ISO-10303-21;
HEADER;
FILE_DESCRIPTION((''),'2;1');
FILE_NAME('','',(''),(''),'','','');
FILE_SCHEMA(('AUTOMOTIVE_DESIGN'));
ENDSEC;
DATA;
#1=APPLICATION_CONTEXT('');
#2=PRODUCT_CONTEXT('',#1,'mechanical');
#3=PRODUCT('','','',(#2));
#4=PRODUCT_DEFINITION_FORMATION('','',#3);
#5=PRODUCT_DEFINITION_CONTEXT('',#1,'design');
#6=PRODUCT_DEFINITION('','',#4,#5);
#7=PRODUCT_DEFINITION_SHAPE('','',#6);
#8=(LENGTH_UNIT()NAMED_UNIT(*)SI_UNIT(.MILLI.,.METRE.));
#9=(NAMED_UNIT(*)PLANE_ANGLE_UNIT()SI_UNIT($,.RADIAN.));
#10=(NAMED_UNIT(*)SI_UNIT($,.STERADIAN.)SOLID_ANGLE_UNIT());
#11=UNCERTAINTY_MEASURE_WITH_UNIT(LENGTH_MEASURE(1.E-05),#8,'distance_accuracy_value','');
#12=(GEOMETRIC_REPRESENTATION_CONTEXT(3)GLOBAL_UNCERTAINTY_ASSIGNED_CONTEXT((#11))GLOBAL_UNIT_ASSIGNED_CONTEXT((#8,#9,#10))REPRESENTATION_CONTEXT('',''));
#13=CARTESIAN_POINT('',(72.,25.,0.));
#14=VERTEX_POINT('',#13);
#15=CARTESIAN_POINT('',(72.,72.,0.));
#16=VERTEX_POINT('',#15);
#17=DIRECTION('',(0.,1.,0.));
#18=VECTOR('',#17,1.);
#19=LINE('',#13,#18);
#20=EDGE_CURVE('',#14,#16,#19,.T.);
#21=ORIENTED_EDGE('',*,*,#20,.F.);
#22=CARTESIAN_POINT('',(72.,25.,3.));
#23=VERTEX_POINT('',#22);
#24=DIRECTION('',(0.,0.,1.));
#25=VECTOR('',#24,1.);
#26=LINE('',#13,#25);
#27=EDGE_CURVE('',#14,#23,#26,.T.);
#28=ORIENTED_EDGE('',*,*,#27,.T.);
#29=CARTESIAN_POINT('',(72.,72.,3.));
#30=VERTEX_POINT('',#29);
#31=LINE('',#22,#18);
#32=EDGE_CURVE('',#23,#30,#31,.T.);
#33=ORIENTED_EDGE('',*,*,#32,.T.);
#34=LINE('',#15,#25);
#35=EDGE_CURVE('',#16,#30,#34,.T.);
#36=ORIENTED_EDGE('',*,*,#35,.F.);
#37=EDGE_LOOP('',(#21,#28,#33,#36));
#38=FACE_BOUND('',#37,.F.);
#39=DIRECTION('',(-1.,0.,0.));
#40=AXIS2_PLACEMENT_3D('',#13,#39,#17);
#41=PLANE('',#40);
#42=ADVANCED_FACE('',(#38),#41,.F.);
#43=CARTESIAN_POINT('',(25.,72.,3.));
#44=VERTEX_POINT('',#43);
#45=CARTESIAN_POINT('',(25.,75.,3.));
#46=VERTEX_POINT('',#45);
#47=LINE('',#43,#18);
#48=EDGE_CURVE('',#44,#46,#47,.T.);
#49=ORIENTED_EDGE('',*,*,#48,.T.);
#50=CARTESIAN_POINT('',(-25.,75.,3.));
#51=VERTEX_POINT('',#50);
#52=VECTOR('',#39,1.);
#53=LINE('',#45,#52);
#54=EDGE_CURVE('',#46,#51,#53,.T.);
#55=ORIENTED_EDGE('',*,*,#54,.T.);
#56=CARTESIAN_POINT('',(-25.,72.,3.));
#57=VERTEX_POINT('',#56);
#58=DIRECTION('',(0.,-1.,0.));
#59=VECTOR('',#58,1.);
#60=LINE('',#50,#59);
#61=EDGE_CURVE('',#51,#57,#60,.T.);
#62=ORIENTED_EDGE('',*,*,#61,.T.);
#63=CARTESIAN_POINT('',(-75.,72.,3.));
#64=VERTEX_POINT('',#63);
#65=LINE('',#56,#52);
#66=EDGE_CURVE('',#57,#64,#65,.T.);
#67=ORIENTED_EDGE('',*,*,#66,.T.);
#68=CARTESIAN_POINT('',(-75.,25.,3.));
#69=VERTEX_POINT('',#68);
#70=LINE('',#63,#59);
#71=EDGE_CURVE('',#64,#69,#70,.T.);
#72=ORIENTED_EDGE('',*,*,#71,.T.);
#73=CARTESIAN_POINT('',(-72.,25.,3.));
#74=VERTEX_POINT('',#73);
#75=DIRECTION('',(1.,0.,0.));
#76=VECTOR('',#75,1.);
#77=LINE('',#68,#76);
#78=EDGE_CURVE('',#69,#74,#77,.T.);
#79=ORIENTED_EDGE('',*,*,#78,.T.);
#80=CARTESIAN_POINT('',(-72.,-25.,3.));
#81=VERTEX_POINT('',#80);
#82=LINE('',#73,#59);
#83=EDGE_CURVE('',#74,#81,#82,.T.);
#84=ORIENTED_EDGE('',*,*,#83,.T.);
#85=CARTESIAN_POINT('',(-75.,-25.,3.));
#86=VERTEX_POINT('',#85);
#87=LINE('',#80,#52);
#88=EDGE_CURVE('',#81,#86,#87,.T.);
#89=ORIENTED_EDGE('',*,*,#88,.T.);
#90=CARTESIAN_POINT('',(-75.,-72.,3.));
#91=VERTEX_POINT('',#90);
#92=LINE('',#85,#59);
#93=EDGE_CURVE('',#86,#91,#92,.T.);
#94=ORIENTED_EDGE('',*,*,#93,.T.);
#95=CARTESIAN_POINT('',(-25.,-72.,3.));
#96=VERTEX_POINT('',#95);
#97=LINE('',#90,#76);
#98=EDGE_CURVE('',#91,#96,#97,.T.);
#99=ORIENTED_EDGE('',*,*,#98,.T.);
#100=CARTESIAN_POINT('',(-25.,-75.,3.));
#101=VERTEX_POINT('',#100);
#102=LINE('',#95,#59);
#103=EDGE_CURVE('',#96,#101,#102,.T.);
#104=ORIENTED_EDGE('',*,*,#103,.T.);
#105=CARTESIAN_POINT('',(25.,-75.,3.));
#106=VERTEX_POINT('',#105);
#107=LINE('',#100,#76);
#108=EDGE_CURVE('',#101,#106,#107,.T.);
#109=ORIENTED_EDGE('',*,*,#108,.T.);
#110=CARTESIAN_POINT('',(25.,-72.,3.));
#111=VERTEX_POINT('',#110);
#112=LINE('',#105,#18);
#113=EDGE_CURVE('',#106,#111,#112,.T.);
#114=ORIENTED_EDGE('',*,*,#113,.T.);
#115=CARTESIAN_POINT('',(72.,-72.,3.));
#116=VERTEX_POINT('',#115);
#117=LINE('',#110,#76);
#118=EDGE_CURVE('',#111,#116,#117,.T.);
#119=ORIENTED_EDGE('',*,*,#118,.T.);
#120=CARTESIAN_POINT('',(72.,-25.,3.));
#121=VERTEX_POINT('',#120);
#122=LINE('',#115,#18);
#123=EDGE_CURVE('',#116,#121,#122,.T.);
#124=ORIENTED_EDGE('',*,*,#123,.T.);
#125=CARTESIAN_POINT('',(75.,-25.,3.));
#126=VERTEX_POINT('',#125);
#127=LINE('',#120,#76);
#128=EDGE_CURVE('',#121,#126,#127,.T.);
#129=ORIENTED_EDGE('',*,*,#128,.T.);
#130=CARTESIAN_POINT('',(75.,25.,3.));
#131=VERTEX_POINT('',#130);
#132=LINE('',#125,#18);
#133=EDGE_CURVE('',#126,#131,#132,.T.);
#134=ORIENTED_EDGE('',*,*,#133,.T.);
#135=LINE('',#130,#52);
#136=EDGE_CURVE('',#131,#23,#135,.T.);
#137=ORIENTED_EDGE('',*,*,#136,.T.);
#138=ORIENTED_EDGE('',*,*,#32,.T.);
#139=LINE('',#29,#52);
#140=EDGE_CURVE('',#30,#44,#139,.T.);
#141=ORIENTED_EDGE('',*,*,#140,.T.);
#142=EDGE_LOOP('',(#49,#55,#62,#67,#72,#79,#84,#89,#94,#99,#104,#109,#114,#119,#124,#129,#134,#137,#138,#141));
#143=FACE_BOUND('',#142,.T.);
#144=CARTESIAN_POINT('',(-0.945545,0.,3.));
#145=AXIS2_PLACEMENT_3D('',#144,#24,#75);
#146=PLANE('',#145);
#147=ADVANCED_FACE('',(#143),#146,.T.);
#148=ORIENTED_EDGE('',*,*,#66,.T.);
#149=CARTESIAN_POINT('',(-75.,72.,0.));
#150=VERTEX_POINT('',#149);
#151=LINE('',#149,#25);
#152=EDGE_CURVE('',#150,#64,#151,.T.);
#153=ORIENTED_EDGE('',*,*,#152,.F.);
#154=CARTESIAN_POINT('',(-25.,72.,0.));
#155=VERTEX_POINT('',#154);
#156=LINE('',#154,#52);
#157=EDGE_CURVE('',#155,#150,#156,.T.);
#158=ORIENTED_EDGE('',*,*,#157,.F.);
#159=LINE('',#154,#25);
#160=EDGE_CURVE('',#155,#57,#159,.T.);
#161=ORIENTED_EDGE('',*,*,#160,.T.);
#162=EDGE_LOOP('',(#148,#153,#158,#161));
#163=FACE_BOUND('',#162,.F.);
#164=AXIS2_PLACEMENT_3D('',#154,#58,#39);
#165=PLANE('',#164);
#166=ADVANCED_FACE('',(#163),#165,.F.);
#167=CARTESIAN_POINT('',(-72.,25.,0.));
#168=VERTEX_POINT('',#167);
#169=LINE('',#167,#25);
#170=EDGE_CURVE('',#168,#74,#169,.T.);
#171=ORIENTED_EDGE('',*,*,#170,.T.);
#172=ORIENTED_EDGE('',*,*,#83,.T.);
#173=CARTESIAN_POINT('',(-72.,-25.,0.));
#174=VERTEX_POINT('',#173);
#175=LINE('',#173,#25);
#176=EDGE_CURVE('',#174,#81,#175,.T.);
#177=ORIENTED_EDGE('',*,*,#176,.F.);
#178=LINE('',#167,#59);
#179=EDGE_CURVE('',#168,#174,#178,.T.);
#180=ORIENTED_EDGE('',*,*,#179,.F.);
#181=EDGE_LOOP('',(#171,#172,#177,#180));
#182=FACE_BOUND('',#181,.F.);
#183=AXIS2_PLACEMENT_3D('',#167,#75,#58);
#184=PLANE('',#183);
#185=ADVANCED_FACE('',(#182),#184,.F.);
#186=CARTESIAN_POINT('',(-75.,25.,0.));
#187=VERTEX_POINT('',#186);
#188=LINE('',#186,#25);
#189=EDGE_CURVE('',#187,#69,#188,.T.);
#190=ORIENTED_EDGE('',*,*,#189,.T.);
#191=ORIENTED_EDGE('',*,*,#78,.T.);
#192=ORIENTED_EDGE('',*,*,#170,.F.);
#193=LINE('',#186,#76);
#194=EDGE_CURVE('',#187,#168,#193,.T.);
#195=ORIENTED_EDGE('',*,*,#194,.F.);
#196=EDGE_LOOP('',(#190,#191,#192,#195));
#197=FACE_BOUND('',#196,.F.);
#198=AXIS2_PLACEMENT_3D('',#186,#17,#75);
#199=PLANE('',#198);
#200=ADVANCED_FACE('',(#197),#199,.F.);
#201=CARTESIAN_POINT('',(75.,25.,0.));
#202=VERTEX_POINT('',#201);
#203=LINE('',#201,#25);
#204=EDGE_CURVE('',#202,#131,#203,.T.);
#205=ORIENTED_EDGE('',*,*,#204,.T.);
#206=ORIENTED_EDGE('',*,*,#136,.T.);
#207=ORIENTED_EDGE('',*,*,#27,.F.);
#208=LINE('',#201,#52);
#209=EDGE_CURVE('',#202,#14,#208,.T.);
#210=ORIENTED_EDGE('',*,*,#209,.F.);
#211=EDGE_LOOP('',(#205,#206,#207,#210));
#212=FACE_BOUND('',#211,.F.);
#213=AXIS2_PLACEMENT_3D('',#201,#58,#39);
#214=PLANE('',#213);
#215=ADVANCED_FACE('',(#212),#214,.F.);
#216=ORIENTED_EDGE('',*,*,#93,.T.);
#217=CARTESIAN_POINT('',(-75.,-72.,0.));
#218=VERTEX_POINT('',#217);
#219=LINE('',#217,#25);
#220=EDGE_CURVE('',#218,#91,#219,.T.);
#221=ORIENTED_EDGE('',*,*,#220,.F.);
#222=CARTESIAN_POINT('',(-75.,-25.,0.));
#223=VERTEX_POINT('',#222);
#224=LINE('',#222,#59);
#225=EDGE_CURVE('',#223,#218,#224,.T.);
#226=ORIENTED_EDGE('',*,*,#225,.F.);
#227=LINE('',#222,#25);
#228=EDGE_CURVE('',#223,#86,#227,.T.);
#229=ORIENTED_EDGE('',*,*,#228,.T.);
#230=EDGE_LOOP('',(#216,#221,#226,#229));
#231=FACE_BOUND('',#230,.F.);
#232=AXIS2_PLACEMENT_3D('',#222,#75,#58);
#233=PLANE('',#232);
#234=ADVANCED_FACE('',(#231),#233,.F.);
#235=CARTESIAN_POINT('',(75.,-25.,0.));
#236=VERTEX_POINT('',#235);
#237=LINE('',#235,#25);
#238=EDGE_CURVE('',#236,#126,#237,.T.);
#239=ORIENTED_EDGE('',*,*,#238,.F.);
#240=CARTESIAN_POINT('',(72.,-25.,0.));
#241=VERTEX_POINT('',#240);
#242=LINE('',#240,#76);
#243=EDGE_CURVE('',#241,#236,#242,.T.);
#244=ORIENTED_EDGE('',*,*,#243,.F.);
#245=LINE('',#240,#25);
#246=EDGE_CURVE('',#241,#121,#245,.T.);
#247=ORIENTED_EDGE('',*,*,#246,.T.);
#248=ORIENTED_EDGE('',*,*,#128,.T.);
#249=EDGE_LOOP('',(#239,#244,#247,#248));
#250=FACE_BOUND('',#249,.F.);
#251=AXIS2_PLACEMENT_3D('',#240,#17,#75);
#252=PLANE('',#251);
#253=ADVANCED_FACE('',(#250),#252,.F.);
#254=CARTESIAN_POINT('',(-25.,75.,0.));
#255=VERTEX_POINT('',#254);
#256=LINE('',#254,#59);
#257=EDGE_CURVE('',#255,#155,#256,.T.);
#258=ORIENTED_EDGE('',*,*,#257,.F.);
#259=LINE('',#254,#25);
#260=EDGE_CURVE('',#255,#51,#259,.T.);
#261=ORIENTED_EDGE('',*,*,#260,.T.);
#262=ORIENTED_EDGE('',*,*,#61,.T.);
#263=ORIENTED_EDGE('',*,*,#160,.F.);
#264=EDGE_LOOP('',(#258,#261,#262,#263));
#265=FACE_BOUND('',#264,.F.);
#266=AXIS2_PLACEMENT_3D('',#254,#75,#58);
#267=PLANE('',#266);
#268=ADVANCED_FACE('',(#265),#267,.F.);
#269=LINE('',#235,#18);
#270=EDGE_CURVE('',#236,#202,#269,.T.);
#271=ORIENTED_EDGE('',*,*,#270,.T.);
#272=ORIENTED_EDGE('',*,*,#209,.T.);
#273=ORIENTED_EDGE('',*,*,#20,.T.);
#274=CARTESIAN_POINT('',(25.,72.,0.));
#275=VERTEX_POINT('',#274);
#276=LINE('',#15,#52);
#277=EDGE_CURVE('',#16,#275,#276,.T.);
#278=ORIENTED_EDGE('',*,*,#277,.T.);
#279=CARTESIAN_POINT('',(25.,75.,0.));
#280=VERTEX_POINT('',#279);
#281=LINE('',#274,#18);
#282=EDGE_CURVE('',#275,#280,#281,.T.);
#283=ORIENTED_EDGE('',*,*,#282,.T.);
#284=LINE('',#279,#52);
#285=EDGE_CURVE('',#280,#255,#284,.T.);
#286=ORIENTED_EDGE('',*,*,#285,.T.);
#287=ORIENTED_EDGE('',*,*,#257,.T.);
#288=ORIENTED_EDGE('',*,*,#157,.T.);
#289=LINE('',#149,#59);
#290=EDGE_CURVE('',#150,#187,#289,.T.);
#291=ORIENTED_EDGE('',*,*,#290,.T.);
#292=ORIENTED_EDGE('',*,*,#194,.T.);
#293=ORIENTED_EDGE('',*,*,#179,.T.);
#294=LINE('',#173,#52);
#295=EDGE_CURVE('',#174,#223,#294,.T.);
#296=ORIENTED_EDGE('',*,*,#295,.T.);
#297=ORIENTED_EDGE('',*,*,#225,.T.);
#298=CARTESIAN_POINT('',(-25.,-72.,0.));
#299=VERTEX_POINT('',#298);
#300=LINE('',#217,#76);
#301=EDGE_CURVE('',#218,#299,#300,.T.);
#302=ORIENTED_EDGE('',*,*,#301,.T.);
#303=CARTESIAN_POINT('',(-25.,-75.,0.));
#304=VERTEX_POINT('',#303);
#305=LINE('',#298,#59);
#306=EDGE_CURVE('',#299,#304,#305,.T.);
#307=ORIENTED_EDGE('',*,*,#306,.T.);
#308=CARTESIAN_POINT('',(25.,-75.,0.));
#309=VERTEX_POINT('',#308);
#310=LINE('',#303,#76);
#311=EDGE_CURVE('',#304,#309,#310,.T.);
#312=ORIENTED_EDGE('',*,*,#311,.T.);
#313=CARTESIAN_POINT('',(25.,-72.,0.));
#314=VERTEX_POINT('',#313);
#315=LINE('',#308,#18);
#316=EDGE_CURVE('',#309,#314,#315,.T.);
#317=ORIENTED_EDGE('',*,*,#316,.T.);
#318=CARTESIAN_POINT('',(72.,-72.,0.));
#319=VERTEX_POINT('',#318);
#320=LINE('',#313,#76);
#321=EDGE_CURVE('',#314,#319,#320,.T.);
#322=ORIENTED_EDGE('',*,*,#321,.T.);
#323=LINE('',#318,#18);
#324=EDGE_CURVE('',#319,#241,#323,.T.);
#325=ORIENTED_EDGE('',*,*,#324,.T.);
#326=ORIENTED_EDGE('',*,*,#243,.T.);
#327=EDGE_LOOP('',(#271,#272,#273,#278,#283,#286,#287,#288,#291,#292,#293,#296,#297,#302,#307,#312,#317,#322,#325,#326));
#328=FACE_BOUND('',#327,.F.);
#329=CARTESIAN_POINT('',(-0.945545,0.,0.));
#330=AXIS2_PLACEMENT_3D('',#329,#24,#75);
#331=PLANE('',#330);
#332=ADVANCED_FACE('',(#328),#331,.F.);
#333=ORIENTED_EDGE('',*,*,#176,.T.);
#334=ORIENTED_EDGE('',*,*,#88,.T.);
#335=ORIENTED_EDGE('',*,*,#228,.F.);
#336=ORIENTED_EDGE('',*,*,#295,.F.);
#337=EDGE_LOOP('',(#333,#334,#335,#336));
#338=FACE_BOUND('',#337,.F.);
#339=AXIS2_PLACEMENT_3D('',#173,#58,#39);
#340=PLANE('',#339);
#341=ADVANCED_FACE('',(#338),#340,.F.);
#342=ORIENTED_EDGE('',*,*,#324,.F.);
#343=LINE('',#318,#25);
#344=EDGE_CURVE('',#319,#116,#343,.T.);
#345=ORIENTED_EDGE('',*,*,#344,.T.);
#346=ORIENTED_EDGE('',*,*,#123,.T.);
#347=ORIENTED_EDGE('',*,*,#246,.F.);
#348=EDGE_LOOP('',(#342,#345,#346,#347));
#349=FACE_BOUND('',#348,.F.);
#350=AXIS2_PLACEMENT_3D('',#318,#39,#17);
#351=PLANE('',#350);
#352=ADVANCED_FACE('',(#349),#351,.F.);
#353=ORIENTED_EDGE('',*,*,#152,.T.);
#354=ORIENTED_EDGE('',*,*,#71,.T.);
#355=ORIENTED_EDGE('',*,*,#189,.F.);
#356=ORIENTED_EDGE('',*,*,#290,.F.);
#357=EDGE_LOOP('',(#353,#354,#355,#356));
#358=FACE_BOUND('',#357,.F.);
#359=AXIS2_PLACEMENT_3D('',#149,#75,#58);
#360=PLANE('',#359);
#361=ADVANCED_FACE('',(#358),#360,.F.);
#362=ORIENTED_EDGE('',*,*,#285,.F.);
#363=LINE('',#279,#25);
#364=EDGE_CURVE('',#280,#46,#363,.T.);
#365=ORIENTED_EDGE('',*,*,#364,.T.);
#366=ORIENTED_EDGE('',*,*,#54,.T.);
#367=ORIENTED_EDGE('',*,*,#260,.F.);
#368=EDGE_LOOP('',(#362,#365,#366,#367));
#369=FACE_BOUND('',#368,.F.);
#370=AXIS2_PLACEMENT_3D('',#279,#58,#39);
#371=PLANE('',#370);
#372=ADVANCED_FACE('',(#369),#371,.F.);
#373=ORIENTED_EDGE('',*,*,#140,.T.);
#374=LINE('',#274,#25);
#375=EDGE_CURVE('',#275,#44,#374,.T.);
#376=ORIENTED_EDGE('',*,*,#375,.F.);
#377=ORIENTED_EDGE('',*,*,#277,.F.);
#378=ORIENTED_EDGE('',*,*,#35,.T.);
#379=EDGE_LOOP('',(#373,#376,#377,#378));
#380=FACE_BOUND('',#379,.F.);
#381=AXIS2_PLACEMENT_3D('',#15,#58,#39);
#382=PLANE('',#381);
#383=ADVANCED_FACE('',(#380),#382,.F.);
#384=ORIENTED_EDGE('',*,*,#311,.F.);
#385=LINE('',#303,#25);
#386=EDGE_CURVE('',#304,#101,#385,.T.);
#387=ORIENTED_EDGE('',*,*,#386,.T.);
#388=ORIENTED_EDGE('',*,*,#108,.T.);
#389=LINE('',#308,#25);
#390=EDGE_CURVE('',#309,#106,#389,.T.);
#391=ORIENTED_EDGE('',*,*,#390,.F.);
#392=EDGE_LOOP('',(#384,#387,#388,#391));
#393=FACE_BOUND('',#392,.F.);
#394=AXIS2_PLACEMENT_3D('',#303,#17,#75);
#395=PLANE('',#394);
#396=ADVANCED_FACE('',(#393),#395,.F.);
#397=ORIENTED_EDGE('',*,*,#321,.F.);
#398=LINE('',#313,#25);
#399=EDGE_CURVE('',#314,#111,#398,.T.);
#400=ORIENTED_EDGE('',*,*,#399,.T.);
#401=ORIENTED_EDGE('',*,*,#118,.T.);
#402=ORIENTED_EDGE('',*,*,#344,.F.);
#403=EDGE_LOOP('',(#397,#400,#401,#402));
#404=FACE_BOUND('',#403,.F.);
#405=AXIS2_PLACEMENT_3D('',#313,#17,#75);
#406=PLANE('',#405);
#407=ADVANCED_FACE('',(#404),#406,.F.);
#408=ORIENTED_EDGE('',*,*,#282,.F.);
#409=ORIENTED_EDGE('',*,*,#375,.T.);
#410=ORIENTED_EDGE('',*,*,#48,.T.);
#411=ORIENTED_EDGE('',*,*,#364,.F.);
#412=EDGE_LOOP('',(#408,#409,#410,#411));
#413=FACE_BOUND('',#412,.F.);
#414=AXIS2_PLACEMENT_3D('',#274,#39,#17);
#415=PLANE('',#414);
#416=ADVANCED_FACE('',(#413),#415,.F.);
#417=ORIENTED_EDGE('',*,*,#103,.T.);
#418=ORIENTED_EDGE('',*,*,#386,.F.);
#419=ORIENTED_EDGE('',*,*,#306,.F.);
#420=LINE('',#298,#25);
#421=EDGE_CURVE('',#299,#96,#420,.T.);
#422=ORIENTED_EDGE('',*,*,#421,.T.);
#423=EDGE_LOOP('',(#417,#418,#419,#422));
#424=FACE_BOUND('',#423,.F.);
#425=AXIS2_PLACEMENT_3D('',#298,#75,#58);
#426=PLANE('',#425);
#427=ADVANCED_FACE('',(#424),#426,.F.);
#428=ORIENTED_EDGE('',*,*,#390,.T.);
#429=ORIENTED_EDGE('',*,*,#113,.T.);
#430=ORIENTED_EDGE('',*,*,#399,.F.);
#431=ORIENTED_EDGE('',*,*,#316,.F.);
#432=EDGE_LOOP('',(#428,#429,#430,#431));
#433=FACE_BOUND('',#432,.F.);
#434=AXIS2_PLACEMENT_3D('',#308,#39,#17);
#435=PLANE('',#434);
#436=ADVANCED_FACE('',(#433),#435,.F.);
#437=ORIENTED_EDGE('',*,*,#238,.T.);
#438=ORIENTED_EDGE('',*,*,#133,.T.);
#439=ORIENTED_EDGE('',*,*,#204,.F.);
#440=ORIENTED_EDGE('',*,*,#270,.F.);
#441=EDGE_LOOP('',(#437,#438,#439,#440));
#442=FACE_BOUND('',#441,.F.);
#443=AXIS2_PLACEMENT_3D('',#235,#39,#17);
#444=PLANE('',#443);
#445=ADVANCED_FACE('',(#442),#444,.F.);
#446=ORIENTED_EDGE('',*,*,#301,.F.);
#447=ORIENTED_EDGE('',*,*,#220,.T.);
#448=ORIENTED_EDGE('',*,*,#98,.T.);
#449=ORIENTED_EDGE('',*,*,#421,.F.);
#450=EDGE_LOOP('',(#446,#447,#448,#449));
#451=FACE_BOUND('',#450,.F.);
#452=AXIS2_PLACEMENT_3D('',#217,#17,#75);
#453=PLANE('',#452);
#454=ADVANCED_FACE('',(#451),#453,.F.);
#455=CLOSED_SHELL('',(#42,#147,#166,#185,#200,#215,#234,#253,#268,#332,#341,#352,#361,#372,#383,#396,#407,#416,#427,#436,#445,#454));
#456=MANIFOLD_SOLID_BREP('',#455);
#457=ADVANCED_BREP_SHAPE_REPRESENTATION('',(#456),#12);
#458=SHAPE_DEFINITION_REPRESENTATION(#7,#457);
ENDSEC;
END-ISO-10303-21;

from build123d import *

# Parameters (mm, degrees)
F1_DEPTH = 3


with BuildPart() as f1:
    # F0 (on Top) → F1 (new body)
    with BuildSketch(Plane.XY):
        Polygon((25, 72), (25, 75), (-25, 75), (-25, 72), (-75, 72), (-75, 25), (-72, 25), (-72, -25), (-75, -25), (-75, -72), (-25, -72), (-25, -75), (25, -75), (25, -72), (72, -72), (72, -25), (75, -25), (75, 25), (72, 25), (72, 72), align=None)
    extrude(amount=F1_DEPTH)


solid = f1.part
